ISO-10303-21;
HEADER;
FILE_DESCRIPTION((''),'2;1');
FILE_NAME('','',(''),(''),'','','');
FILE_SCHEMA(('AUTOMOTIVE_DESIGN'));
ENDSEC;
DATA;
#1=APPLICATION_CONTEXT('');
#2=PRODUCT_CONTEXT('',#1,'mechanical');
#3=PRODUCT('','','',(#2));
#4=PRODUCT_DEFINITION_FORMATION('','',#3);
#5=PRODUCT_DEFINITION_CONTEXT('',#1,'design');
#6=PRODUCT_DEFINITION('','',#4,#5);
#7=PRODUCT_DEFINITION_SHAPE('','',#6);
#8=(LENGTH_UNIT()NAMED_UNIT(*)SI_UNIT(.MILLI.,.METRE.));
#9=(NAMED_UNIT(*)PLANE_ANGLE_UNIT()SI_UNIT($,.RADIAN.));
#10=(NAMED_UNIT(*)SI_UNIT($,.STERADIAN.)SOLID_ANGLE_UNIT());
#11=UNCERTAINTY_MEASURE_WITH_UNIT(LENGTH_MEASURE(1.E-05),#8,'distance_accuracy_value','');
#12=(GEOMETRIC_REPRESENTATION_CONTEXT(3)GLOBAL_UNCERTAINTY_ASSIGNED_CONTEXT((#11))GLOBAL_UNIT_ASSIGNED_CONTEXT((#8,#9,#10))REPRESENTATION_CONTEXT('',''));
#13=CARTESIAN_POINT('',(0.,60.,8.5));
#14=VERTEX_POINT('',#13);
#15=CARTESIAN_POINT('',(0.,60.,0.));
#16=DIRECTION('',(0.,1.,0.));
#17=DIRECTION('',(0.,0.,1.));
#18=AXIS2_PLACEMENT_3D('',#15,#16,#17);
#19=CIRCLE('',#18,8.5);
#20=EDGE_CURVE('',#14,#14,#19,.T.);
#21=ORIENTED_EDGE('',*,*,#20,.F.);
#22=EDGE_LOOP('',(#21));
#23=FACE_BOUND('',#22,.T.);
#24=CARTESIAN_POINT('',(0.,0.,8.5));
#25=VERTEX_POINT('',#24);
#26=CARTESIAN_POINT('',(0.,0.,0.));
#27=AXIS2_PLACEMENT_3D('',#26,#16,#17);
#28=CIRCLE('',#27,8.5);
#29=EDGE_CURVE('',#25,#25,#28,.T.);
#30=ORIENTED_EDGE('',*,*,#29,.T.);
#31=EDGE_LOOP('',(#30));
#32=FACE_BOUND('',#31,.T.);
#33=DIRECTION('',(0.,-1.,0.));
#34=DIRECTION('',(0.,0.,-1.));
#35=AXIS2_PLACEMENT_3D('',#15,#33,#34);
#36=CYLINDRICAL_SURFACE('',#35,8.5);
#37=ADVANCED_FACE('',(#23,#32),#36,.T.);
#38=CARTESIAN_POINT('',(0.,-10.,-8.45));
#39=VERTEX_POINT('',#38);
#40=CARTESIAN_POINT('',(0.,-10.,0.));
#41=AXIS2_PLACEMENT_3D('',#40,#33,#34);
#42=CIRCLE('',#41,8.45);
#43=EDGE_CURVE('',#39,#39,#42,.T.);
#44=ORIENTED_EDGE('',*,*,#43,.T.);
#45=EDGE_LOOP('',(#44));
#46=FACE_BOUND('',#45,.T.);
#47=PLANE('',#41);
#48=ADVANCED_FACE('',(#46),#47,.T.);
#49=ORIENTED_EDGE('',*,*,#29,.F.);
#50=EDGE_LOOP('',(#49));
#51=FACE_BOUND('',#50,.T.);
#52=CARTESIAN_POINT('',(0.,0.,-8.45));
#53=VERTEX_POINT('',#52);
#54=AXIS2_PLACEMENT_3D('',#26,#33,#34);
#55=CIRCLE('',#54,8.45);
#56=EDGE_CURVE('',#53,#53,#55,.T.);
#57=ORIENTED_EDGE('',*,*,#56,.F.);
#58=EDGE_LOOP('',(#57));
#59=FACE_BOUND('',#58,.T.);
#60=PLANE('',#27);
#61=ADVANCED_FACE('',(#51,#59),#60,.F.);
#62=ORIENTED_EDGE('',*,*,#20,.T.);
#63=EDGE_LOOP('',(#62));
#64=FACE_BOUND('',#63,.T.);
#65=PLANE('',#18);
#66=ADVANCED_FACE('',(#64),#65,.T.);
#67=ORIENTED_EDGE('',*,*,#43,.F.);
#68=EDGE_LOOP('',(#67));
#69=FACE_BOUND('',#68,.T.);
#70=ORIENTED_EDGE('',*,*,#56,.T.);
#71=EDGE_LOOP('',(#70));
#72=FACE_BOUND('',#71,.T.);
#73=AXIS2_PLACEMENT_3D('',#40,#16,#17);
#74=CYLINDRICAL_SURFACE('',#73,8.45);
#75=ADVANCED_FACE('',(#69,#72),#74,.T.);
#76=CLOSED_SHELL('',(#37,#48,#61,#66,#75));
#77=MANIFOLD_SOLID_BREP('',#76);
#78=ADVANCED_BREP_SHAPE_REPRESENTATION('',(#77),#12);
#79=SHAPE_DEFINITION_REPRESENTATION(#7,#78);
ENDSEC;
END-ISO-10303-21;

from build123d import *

# Parameters (mm, degrees)
SKETCH1_R           = 8.5
BOSS_EXTRUDE1_DEPTH = 60
SKETCH2_R           = 8.45
BOSS_EXTRUDE2_DEPTH = 10


with BuildPart() as part:
    # Sketch1 → Boss-Extrude1 (new body)
    with BuildSketch(Plane(origin=(0, 0, 0), x_dir=(1, 0, 0), z_dir=(0, 1, 0))):
        Circle(SKETCH1_R)
    extrude(amount=BOSS_EXTRUDE1_DEPTH)

    # Sketch2 → Boss-Extrude2 (add)
    with BuildSketch(Plane.XZ):
        Circle(SKETCH2_R)
    extrude(amount=BOSS_EXTRUDE2_DEPTH)


solid = part.part
